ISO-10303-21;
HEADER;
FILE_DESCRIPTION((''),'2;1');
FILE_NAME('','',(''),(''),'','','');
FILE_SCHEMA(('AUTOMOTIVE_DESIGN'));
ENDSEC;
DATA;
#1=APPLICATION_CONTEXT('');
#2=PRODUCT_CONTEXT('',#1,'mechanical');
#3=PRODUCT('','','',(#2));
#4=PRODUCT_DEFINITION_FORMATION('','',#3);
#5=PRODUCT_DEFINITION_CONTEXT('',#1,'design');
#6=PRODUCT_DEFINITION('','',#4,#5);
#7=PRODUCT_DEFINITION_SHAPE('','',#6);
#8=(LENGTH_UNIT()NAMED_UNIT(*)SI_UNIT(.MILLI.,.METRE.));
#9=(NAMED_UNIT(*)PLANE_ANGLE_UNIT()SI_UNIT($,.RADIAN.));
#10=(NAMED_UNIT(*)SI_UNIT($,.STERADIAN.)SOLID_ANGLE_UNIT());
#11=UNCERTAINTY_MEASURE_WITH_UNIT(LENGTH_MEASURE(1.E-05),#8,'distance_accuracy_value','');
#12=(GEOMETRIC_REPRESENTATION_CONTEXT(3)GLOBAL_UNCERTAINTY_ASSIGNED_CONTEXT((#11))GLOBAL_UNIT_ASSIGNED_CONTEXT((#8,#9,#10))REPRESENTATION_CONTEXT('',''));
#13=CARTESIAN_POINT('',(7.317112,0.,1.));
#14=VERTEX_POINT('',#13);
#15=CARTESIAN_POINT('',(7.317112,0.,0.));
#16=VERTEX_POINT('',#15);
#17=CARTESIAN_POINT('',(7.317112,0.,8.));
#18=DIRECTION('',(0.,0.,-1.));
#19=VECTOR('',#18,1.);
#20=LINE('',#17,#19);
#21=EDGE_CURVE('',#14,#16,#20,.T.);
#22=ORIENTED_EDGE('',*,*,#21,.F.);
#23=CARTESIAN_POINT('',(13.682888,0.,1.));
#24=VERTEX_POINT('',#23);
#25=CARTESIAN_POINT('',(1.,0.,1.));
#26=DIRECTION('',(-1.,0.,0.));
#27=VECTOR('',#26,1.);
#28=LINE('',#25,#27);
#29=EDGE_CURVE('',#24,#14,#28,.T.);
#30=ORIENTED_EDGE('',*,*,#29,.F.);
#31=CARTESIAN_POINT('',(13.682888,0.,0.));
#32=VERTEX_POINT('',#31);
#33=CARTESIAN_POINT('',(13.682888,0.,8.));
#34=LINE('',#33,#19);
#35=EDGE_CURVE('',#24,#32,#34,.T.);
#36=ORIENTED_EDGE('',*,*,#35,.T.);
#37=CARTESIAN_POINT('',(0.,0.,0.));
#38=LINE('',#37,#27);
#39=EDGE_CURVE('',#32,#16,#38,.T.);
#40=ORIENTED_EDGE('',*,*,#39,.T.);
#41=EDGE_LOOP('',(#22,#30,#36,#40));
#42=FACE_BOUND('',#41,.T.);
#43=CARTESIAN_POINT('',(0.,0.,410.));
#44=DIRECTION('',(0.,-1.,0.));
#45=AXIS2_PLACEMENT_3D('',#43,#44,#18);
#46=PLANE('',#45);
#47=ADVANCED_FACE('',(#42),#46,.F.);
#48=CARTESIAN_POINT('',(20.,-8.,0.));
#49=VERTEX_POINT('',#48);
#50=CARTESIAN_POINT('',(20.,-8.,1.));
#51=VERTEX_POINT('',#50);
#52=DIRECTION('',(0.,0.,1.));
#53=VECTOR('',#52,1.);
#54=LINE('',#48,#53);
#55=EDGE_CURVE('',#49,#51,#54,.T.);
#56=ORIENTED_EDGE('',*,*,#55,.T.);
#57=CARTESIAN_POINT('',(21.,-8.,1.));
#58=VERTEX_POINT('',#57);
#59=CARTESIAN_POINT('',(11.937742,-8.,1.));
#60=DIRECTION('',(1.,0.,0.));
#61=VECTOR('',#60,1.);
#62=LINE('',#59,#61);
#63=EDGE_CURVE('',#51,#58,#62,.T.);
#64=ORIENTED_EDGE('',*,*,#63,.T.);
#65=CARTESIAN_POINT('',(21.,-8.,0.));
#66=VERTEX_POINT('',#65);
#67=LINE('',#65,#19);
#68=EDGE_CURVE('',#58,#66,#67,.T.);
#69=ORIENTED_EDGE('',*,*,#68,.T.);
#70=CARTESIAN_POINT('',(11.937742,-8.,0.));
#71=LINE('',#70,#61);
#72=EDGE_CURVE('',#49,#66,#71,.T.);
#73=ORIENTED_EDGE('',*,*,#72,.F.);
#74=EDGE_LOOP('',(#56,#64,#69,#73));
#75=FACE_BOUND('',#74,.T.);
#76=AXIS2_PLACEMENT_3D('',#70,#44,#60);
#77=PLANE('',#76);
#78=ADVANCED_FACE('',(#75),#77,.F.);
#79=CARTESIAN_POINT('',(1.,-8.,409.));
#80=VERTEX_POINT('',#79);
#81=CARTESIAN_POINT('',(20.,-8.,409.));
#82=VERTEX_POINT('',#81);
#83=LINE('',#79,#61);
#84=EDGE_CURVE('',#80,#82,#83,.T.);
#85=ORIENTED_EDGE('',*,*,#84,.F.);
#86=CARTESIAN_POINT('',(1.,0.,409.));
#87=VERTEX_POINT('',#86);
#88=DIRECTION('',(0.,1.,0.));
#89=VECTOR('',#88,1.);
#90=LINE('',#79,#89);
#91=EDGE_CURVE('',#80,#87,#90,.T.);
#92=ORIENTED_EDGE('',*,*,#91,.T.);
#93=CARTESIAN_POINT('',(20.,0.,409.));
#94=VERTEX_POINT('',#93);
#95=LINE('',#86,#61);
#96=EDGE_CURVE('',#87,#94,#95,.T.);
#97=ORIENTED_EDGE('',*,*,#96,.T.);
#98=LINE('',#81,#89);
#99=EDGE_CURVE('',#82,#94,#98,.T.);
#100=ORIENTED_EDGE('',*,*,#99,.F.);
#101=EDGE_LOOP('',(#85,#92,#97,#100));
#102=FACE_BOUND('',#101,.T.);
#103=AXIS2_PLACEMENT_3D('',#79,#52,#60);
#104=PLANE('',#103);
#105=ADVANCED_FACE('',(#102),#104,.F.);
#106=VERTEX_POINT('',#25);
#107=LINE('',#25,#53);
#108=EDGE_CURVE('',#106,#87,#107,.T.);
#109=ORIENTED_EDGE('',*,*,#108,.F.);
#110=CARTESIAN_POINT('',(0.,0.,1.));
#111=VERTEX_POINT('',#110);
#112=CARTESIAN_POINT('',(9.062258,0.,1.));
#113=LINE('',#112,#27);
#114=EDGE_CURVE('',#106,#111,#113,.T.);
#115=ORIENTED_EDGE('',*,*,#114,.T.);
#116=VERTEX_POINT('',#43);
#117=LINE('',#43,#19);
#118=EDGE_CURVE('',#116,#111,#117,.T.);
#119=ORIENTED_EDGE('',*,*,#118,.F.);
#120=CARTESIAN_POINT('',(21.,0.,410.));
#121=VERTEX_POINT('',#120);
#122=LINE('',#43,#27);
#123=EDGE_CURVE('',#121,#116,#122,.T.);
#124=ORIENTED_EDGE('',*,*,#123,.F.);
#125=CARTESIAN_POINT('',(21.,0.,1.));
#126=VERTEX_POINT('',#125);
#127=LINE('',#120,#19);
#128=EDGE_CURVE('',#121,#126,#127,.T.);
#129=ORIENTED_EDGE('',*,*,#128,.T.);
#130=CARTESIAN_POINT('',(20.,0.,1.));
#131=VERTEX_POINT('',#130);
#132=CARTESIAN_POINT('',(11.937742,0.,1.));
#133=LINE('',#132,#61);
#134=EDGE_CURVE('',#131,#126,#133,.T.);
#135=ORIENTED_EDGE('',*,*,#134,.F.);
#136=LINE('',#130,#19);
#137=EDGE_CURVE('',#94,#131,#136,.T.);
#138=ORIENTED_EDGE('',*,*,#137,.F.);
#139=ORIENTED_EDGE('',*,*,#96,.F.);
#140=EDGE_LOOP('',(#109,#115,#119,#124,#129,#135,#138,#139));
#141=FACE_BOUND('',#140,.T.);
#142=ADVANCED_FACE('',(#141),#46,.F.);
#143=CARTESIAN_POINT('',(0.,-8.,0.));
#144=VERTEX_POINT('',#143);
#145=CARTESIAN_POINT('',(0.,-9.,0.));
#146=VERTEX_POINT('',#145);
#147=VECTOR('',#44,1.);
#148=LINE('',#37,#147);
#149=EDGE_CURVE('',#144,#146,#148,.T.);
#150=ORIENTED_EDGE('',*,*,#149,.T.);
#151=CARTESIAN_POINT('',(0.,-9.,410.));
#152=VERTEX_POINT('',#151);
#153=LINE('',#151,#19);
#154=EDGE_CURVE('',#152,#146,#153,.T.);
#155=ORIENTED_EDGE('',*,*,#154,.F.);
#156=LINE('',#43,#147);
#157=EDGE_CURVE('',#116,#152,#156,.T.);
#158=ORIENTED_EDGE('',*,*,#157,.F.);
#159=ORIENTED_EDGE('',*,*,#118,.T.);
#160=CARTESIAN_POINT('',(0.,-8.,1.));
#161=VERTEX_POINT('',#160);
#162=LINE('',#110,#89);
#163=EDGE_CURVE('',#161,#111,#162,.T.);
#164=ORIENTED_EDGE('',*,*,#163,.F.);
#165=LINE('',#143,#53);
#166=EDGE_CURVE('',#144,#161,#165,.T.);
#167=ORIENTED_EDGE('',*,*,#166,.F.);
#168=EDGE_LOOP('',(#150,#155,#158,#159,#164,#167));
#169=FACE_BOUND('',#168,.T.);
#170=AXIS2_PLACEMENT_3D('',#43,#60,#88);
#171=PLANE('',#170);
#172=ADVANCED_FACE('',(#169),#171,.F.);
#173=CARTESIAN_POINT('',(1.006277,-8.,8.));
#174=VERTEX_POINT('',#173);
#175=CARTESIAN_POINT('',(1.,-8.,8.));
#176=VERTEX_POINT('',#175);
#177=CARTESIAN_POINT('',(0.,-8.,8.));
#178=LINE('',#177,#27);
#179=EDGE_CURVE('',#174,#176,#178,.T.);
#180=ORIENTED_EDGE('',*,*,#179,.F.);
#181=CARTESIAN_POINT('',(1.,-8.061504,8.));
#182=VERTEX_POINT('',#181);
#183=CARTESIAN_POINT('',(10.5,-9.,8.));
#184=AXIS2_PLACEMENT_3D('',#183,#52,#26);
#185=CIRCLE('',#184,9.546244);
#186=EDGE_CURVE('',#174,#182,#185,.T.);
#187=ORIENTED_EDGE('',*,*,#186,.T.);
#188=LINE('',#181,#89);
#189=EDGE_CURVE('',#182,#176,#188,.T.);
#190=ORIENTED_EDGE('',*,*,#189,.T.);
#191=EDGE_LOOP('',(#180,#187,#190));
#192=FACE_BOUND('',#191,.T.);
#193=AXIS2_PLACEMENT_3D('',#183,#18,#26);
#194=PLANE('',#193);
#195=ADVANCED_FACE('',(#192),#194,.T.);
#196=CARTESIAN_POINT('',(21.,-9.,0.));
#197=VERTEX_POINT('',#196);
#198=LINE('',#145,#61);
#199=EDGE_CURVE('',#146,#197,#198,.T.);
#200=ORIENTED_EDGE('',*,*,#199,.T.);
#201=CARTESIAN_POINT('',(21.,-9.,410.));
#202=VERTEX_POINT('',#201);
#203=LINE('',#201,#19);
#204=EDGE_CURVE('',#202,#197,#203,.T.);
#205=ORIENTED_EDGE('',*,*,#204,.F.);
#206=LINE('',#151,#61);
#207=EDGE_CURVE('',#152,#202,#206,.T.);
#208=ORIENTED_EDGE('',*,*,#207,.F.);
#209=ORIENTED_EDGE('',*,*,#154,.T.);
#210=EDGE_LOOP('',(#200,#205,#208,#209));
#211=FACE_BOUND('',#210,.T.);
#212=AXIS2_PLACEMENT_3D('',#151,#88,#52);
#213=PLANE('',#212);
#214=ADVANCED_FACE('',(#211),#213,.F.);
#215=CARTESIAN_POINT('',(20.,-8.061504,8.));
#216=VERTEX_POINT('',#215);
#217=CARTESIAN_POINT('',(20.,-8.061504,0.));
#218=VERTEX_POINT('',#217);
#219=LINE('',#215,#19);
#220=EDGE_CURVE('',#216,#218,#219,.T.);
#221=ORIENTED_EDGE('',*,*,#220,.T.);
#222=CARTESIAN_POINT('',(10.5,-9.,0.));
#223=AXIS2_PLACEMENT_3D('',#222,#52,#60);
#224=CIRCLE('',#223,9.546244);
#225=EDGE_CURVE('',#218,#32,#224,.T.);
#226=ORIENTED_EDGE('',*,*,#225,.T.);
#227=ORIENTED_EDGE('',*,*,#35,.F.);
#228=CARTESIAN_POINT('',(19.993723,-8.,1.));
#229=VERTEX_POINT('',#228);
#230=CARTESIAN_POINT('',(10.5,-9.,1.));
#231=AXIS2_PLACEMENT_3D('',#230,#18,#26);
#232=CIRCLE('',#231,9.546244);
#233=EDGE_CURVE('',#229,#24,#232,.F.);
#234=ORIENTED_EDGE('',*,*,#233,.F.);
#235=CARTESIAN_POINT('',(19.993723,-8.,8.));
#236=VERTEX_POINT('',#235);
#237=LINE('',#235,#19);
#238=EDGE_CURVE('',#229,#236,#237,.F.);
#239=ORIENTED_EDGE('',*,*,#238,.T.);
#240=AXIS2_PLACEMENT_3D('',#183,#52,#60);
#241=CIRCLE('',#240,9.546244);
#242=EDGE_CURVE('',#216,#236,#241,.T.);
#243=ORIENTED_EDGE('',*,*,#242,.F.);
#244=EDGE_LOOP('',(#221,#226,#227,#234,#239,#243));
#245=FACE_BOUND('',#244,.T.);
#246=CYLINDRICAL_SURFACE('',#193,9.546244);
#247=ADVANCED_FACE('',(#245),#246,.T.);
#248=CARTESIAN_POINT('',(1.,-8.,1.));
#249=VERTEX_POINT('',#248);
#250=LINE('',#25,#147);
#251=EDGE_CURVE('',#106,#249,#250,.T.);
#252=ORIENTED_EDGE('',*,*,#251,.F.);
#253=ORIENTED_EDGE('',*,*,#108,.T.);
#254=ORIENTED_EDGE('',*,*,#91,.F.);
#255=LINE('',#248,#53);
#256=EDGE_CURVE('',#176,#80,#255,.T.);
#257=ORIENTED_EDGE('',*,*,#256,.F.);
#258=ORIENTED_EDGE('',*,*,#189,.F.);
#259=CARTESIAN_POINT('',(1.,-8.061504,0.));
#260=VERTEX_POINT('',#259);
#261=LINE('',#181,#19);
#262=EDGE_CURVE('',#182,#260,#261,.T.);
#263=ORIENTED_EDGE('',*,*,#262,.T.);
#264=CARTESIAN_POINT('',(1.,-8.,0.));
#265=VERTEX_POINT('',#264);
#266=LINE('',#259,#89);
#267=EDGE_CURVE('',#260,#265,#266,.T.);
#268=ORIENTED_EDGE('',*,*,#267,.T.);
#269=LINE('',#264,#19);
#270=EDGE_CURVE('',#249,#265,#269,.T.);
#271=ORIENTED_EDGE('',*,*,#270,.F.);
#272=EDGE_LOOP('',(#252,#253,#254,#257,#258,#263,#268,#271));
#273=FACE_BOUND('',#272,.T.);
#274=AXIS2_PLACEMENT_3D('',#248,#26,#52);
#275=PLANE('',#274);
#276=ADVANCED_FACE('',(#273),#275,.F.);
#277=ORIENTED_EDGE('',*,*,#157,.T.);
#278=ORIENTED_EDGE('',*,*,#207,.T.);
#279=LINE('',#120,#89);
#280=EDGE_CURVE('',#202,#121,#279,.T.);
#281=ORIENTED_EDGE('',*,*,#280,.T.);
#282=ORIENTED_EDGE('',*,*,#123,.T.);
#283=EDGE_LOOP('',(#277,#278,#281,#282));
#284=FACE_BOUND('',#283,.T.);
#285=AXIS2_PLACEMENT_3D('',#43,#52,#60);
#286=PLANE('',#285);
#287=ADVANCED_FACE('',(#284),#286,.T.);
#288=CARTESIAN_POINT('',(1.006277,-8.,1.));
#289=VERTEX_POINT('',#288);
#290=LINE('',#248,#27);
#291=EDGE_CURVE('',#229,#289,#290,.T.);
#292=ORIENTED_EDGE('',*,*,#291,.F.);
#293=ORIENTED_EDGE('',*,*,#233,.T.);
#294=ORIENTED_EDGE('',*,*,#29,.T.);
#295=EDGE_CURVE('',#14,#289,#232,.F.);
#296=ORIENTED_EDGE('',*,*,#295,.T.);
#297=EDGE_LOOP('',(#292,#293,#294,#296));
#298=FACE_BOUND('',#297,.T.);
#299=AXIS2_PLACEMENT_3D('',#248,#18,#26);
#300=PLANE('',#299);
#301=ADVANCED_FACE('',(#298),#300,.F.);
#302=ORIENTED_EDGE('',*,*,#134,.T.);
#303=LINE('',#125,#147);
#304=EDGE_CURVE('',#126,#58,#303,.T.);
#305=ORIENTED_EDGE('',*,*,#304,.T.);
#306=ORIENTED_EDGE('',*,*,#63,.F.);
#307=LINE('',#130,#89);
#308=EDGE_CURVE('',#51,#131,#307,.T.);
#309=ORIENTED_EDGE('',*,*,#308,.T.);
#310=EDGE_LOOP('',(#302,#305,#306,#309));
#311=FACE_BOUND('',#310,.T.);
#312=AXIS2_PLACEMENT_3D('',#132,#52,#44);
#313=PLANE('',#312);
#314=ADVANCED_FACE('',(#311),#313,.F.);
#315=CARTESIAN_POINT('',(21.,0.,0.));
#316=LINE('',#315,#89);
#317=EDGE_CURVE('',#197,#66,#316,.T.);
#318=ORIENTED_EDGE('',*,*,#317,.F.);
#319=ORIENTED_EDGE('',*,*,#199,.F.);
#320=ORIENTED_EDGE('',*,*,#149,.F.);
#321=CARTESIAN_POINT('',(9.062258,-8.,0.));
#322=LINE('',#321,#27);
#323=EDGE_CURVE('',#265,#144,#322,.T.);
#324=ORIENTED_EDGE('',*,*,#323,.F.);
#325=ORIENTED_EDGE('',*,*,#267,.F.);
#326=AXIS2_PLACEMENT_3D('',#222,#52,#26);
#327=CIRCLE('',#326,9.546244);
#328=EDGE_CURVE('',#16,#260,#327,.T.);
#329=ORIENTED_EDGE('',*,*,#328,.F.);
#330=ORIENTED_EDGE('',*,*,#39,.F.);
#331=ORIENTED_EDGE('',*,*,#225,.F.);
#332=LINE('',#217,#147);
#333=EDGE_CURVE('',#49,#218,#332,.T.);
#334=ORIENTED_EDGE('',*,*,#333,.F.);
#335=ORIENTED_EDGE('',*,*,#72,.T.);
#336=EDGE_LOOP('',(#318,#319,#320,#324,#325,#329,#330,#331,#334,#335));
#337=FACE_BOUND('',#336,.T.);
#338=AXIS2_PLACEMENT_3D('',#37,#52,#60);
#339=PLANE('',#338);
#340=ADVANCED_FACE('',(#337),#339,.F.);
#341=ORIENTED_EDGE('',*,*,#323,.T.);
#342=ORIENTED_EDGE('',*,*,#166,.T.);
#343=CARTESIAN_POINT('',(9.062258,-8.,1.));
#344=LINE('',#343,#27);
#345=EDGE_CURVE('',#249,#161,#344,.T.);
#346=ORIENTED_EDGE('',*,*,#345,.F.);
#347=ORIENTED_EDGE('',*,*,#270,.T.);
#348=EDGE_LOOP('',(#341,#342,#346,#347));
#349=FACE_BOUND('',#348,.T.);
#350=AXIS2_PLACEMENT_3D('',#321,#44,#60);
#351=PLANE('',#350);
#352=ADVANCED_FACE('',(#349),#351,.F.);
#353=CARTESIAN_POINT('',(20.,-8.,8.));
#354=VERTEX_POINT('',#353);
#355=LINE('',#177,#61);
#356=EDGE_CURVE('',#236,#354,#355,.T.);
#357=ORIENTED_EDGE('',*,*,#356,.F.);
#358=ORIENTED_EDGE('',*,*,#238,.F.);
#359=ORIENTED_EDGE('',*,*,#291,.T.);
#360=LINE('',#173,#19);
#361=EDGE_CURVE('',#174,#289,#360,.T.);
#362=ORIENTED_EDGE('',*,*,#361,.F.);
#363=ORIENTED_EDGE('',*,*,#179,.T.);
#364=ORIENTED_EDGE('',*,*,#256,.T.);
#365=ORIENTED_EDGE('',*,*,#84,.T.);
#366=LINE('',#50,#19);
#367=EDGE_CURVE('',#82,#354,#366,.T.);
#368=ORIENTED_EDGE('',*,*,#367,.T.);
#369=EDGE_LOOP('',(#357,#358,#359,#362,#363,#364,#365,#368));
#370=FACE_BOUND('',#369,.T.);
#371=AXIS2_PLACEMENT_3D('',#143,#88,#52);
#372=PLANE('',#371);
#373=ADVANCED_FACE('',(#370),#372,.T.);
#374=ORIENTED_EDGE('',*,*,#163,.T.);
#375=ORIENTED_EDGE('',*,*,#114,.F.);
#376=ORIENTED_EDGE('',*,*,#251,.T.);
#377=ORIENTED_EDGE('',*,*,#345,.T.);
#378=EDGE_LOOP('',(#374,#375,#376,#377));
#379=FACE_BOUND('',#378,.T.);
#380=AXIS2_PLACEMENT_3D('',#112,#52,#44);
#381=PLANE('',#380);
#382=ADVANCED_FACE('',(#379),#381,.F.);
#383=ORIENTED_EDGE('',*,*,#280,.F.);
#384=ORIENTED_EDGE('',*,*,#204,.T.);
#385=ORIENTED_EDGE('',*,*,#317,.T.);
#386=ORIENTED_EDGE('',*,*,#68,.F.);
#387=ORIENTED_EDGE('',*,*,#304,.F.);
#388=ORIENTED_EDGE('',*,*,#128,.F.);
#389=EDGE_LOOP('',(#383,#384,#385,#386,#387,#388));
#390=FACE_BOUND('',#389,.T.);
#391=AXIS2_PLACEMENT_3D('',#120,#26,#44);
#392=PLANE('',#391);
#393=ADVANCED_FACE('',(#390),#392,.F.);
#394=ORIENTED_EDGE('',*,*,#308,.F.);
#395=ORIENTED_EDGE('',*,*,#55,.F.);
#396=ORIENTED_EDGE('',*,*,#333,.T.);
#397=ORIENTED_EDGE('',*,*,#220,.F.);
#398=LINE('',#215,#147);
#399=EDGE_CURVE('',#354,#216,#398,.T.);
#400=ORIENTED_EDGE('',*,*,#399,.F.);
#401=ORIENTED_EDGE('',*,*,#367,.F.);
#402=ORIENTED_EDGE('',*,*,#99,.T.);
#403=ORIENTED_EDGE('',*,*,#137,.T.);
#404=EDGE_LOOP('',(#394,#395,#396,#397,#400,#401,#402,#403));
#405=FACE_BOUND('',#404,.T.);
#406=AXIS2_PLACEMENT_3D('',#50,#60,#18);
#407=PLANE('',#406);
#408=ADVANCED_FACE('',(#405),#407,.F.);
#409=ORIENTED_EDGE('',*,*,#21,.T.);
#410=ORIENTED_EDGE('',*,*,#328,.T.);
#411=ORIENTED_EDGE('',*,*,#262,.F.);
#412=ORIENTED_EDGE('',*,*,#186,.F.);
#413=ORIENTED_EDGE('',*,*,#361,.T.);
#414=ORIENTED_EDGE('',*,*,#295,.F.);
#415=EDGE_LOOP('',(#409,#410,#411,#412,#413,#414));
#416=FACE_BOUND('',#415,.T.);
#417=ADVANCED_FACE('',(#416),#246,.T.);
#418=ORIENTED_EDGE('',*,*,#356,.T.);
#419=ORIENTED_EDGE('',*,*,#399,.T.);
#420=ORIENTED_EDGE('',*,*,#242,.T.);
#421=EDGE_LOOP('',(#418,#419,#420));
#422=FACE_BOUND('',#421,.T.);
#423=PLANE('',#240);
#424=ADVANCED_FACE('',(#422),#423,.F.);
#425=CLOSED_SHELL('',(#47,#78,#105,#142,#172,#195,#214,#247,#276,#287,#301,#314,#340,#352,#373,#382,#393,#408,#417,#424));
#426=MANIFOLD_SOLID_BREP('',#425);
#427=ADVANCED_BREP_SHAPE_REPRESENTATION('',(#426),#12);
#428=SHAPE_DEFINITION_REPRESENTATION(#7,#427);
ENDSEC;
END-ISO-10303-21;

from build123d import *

# Parameters (mm, degrees)
SKETCH1_W           = 21
SKETCH1_H           = 9
BOSS_EXTRUDE1_DEPTH = 410
SKETCH2_W           = 19
SKETCH2_H           = 408
CUT_EXTRUDE1_DEPTH  = 8
CUT_EXTRUDE2_DEPTH  = 8
SKETCH5_W           = 1
SKETCH5_H           = 8
CUT_EXTRUDE3_DEPTH  = 1
SKETCH6_W           = 1
SKETCH6_H           = 8
CUT_EXTRUDE4_DEPTH  = 1


with BuildPart() as part:
    # Sketch1 → Boss-Extrude1 (new body)
    with BuildSketch(Plane.XY):
        with Locations((10.5, -4.5)):
            Rectangle(SKETCH1_W, SKETCH1_H)
    extrude(amount=BOSS_EXTRUDE1_DEPTH)

    # Sketch2 → Cut-Extrude1 (cut)
    with BuildSketch(Plane(origin=(0, 0, 0), x_dir=(1, 0, 0), z_dir=(0, 1, 0))):
        with Locations((10.5, -205)):
            Rectangle(SKETCH2_W, SKETCH2_H)
    extrude(amount=-CUT_EXTRUDE1_DEPTH, mode=Mode.SUBTRACT)

    # Sketch4 → Cut-Extrude2 (cut)
    with BuildSketch(Plane(origin=(0, 0, 0), x_dir=(-1, 0, 0), z_dir=(0, 0, -1))):
        with BuildLine():
            Line((-20, -8.061503552), (-20, 0))
            Line((-20, 0), (-13.682887931, 0))
            ThreePointArc((-13.682887931, 0), (-18.014044946, -3.111884501), (-20, -8.061503552))
        make_face()
        with BuildLine():
            Line((-1, 0), (-7.317112069, 0))
            ThreePointArc((-7.317112069, 0), (-2.985955054, -3.111884501), (-1, -8.061503552))
            Line((-1, -8.061503552), (-1, 0))
        make_face()
    extrude(amount=-CUT_EXTRUDE2_DEPTH, mode=Mode.SUBTRACT)

    # Sketch5 → Cut-Extrude3 (cut)
    with BuildSketch(Plane(origin=(21, 0, 0), x_dir=(0, 0, -1), z_dir=(1, 0, 0))):
        with Locations((-0.5, -4)):
            Rectangle(SKETCH5_W, SKETCH5_H)
    extrude(amount=-CUT_EXTRUDE3_DEPTH, mode=Mode.SUBTRACT)

    # Sketch6 → Cut-Extrude4 (cut)
    with BuildSketch(Plane.ZY):
        with Locations((0.5, -4)):
            Rectangle(SKETCH6_W, SKETCH6_H)
    extrude(amount=-CUT_EXTRUDE4_DEPTH, mode=Mode.SUBTRACT)


solid = part.part
